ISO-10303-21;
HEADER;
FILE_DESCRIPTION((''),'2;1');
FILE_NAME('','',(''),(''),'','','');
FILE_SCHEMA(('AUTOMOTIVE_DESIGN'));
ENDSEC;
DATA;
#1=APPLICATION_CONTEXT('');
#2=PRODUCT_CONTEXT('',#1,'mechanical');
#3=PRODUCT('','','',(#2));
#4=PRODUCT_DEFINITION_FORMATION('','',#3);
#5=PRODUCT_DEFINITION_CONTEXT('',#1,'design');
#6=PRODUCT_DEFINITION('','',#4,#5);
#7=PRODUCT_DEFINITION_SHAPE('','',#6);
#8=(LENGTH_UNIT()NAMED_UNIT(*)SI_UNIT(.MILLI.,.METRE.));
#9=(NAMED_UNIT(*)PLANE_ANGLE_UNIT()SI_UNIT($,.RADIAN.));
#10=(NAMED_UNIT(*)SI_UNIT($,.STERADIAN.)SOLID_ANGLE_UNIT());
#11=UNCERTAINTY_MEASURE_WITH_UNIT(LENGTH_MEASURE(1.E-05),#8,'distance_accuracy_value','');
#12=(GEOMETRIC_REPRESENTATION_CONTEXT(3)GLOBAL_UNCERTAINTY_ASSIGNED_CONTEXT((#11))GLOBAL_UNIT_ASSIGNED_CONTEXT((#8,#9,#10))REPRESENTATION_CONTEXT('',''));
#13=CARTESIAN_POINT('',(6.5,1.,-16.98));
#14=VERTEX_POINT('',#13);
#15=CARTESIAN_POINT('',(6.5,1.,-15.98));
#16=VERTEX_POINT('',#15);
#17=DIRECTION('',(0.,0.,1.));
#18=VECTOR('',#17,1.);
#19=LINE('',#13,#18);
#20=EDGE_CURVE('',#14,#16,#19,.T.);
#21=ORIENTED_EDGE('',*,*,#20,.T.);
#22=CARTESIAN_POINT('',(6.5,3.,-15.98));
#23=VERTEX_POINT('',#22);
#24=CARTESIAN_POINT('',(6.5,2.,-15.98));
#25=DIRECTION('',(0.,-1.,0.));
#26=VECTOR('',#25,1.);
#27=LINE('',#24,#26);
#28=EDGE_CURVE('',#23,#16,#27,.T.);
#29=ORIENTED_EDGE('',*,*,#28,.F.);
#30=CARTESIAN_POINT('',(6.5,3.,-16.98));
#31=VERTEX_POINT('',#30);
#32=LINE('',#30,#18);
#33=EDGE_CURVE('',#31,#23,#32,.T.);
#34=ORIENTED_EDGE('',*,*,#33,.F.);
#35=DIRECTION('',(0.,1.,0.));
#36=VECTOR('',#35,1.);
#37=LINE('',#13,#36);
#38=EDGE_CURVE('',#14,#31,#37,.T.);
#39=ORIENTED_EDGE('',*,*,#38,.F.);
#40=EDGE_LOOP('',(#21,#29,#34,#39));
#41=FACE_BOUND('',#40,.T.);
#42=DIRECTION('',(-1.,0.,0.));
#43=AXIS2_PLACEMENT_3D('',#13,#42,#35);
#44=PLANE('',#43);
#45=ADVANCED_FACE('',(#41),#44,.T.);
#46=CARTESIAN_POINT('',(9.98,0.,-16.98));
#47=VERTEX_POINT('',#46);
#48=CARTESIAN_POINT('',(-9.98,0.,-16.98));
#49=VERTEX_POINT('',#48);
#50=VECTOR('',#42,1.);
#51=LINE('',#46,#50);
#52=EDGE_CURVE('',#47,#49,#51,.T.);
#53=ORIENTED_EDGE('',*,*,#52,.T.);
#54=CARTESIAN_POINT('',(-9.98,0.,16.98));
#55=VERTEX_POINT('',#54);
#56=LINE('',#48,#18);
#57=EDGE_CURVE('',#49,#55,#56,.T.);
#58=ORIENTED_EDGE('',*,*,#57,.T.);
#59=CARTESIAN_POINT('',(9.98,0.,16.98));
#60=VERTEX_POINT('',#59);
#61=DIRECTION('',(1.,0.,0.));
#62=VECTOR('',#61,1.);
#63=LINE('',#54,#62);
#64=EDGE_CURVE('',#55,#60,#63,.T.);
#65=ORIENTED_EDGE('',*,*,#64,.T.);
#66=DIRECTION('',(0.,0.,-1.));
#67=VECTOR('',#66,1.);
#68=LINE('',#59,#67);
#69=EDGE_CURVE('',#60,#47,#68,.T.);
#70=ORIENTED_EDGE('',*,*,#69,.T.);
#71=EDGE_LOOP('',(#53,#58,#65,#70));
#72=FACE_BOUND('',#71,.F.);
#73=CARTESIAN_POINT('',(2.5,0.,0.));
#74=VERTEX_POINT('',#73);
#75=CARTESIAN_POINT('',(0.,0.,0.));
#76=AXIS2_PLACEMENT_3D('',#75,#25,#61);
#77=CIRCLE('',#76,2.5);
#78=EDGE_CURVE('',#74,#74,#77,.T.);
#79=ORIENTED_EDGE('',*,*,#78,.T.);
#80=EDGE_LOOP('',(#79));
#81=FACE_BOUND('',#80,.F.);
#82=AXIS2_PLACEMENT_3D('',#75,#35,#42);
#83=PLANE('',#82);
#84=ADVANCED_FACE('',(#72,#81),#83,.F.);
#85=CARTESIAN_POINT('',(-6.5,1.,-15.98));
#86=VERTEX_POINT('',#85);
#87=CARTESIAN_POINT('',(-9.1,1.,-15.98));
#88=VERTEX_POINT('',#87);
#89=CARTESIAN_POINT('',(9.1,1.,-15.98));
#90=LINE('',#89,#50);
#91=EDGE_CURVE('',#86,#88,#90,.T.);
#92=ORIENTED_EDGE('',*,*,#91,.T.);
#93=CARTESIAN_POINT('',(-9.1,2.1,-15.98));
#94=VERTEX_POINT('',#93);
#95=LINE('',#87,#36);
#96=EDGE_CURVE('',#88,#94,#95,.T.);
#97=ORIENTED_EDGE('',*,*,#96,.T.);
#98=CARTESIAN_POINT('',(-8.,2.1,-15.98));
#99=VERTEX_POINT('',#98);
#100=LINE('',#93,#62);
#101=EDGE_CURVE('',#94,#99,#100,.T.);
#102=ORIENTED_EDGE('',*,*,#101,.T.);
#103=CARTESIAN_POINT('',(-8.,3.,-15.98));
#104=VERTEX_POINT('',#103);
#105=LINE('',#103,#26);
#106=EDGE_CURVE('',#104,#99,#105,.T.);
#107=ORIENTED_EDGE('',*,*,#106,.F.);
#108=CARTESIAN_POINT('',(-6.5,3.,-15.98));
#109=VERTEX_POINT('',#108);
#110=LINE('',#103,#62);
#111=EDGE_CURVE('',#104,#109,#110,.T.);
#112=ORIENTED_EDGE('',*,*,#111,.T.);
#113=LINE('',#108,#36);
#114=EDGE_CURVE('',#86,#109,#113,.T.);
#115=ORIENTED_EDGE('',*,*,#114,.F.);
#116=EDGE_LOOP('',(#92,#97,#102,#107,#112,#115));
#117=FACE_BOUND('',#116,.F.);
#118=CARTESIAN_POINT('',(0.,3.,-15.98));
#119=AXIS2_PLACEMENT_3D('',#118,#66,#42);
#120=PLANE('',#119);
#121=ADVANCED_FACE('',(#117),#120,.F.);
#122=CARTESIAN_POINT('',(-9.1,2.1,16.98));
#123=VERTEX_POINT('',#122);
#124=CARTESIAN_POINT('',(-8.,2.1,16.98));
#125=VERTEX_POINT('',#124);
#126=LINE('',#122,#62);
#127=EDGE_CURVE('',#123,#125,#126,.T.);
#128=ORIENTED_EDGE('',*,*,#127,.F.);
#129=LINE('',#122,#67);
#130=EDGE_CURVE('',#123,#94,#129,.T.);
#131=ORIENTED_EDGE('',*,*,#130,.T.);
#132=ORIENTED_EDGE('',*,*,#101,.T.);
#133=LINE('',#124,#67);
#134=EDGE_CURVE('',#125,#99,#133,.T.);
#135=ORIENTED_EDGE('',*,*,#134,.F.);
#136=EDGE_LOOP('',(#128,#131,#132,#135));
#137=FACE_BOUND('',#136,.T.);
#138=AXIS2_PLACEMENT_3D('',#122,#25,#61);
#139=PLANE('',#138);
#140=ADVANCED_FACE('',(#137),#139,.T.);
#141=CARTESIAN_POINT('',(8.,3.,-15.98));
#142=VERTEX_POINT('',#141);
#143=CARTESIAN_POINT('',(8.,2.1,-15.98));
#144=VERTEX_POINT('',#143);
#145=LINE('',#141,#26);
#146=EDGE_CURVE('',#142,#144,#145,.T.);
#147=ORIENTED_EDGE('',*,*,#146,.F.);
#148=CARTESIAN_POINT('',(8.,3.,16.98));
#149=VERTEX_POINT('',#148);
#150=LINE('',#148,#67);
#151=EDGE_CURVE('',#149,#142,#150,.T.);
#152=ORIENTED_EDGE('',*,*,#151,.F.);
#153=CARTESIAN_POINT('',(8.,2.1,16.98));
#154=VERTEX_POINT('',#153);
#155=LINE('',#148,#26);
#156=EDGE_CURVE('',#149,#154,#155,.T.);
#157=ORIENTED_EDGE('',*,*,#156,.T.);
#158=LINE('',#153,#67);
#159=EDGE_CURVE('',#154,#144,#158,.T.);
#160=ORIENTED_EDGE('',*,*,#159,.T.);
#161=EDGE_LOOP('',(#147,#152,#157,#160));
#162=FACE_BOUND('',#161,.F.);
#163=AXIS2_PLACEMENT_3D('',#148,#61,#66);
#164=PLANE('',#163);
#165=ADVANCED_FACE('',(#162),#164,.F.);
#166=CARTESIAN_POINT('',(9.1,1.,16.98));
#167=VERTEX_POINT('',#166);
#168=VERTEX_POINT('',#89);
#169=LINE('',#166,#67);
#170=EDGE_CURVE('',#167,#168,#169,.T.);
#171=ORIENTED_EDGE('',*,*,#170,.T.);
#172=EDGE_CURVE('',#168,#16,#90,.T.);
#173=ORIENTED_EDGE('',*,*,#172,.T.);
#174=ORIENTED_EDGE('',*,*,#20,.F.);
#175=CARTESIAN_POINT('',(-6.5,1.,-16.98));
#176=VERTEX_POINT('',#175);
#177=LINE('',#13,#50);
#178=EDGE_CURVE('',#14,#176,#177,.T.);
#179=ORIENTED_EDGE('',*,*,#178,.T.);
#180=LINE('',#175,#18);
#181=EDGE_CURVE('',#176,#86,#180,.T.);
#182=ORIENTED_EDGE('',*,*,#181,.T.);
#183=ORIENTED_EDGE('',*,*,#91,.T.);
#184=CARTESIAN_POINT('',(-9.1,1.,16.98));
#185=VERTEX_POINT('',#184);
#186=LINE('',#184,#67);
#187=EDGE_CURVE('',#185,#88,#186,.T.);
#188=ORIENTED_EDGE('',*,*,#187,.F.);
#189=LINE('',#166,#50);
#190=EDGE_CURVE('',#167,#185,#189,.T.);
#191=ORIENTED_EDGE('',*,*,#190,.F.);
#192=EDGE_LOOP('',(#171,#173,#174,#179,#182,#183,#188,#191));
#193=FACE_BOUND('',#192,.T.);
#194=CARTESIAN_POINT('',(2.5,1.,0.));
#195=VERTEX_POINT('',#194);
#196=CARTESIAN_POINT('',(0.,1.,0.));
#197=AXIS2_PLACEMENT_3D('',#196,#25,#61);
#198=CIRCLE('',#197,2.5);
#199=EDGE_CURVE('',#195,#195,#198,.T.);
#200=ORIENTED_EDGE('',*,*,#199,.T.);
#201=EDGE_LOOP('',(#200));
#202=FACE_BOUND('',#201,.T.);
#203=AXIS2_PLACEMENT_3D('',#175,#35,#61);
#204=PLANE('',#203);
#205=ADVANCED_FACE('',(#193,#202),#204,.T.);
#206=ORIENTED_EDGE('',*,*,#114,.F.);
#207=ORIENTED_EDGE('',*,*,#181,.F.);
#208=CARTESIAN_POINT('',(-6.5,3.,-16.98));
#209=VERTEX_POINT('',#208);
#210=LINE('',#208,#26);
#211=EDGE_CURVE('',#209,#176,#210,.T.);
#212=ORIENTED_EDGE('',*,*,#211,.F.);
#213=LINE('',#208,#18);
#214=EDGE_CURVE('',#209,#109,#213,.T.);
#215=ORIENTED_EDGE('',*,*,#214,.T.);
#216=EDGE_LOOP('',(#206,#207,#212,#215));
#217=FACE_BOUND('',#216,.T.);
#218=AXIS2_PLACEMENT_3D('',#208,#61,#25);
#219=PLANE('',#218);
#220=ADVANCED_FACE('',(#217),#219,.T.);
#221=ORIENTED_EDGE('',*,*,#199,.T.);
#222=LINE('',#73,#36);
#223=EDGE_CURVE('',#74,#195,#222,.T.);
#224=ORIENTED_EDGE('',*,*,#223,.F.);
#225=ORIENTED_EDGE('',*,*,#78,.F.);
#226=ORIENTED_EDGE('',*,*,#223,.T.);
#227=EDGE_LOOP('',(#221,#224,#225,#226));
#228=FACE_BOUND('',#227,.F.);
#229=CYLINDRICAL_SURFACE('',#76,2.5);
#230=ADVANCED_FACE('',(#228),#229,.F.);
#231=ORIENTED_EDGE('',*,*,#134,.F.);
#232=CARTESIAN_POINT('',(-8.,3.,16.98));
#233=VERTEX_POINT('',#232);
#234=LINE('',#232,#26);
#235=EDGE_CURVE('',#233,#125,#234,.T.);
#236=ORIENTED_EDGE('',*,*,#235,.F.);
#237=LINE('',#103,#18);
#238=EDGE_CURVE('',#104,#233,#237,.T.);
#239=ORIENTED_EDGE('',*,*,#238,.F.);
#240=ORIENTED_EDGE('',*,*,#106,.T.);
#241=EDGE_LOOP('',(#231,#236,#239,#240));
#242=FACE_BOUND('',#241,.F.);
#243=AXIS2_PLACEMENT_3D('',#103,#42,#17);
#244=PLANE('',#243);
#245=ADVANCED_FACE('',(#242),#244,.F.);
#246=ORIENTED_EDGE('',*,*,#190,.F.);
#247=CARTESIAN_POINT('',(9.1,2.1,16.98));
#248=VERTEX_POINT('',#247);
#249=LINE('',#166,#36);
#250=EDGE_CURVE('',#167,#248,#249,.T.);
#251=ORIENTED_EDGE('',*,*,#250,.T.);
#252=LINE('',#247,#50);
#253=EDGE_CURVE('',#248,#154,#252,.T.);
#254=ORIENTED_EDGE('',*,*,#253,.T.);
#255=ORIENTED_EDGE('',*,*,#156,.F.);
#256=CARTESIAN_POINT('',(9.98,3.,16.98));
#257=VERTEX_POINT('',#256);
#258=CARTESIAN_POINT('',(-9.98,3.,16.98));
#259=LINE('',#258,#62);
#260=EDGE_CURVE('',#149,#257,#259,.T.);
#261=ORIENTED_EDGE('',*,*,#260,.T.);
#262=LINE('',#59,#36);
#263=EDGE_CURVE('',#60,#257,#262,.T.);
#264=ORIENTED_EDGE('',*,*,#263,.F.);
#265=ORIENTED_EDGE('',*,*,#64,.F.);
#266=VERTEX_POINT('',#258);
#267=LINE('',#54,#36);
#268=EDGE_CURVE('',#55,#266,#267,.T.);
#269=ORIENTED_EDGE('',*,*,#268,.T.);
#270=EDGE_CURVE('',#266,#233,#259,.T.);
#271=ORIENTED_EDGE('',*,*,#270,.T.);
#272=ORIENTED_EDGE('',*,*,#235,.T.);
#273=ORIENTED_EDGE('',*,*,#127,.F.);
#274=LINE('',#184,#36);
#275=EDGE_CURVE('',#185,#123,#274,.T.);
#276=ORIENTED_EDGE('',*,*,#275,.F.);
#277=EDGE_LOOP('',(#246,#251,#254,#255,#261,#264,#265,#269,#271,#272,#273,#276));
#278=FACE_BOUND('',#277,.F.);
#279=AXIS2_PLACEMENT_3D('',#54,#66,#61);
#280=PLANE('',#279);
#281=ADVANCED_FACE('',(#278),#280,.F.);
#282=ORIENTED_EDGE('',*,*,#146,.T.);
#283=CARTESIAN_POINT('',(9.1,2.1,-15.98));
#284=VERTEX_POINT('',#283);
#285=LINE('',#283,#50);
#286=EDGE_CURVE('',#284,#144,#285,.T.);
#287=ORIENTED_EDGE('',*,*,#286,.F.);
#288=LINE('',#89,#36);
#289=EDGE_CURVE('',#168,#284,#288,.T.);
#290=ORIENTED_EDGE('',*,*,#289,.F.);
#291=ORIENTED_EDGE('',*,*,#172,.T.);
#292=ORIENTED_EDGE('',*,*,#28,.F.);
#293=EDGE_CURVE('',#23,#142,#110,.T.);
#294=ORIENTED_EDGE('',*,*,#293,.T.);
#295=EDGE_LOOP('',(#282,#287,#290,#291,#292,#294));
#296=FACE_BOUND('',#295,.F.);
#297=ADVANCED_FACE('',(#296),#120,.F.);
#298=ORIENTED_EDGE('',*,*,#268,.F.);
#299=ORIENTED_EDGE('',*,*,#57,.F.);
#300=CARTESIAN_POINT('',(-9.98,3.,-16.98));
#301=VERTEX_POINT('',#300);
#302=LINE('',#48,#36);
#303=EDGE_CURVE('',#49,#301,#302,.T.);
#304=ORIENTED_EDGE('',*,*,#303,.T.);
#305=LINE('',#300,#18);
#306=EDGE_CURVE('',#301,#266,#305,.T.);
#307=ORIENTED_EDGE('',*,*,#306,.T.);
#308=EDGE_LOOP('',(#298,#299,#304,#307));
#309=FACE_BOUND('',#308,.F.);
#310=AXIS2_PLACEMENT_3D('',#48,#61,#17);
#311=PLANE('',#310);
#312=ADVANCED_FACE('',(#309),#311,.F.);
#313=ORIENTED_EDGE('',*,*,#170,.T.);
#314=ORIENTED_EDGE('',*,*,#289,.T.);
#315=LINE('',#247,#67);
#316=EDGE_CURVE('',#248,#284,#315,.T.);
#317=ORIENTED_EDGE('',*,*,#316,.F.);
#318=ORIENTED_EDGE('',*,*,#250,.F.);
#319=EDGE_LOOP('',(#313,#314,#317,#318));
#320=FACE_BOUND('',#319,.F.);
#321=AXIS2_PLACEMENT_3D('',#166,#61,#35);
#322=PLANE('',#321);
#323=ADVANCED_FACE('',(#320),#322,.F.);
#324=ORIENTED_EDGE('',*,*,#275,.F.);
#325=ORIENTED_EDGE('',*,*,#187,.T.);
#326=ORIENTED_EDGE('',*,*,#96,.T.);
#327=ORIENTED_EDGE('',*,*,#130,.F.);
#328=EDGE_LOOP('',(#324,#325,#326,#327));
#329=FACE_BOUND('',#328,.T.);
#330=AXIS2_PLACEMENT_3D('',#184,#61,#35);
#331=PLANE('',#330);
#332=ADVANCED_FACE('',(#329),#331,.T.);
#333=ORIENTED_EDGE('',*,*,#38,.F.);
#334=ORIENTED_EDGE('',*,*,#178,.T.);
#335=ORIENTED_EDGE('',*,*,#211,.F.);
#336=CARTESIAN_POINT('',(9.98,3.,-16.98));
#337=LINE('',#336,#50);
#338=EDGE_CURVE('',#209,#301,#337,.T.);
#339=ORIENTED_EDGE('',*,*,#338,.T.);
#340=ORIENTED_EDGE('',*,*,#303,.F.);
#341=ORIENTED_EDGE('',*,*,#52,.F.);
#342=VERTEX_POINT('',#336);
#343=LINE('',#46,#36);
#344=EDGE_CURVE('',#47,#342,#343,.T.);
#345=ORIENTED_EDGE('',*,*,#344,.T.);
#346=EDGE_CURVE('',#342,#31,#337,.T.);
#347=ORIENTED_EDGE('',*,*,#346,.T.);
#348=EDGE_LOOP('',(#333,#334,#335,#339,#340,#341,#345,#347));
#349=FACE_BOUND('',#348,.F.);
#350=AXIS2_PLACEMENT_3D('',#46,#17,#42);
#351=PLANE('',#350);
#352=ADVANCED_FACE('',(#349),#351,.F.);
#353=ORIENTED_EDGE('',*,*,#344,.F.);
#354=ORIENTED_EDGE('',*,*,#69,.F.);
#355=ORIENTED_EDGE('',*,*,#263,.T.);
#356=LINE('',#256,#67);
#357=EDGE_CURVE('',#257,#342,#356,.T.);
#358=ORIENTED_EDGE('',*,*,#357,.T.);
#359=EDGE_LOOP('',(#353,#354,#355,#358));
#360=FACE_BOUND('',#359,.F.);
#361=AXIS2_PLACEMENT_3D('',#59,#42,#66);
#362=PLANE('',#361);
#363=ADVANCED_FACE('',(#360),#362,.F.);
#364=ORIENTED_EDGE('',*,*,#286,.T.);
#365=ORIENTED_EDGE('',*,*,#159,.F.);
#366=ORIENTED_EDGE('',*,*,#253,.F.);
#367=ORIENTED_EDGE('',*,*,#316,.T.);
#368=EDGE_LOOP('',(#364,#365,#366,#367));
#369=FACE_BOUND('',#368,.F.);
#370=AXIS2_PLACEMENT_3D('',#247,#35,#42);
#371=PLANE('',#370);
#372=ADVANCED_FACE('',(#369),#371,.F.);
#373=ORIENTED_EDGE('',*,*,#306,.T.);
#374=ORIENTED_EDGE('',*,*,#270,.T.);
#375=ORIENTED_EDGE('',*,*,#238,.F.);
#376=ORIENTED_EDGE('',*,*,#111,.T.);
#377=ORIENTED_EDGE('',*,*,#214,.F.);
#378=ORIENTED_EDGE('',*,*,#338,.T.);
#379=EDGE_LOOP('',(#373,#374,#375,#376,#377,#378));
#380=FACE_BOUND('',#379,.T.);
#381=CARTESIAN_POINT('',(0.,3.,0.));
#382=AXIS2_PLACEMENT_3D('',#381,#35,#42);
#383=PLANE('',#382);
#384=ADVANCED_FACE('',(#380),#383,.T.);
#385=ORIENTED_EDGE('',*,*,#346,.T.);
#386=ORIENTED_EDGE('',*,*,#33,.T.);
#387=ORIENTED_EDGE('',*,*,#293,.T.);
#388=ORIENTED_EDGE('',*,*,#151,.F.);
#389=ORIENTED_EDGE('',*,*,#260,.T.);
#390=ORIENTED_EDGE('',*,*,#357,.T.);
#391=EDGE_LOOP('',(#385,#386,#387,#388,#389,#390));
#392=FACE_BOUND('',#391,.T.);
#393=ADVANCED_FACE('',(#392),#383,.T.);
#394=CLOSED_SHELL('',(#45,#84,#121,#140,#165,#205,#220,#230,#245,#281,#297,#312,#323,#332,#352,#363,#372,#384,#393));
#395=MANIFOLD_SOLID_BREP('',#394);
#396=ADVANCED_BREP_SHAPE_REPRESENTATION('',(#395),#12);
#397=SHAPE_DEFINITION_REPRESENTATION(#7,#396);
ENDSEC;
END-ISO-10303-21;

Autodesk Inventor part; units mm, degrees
ref_plane "YZ Plane" through (0, 0, 0) normal (1, 0, 0) x (0, 1, 0)
ref_plane "XZ Plane" through (0, 0, 0) normal (0, 1, 0) x (-1, 0, 0)
ref_plane "XY Plane" through (0, 0, 0) normal (0, 0, 1) x (1, 0, 0)
sketch "Sketch1" plane through (0, 0, 0) normal (0, 1, 0) x (-1, 0, 0)
  line L0 (9.98, 16.98) -> (-9.98, 16.98)
  line L1 (-9.98, 16.98) -> (-9.98, -16.98)
  line L2 (-9.98, -16.98) -> (9.98, -16.98)
  line L3 (9.98, -16.98) -> (9.98, 16.98)
  line L4 (9.98, 16.98) -> (-9.98, -16.98) construction
  line L5 (-9.98, 16.98) -> (9.98, -16.98) construction
  point P0 (0, 0)
  dimension "d0" = 33.96
  dimension "d1" = 19.96
extrude "arm-wall" add sketch "Sketch1" along normal blind 3
sketch "Sketch2" plane through (0, 3, 0) normal (0, 1, 0) x (1, 0, 0)
  line L0 (-8, -16.98) -> (8, -16.98)
  line L1 (8, -16.98) -> (8, 15.98)
  line L2 (8, 15.98) -> (-8, 15.98)
  line L3 (-8, 15.98) -> (-8, -16.98)
  line L4 (-8, -16.98) -> (8, 15.98) construction
  line L5 (8, -16.98) -> (-8, 15.98) construction
  line L6 (0, 23.772) -> (0, -23.772) projected
  line L7 (9.98, 16.98) -> (-9.98, 16.98) projected
  line L8 (-9.98, -16.98) -> (9.98, -16.98) projected
  point P0 (0, 0)
  point P1 (0, -0.5)
  point P2 (0, -0.5)
  dimension "d4" = 16
  dimension "d5" = 1
extrude "slot" cut sketch "Sketch2" against normal blind 2
sketch "Sketch3" plane through (0, 0, 0) normal (0, -1, 0) x (1, 0, 0)
  circle A0 centre (0, 0) radius 2.5
  dimension "d12" = 5
extrude "Extrusion3" cut sketch "Sketch3" against normal blind 2
sketch "Sketch4" plane through (-9.98, 0, 16.98) normal (0, 0, 1) x (1, 0, 0)
  line L0 (1.98, 1) -> (0.88, 1)
  line L1 (0.88, 1) -> (0.88, 2.1)
  line L2 (0.88, 2.1) -> (1.98, 2.1)
  line L3 (1.98, 2.1) -> (1.98, 1)
  line L4 (17.98, 1) -> (19.08, 1)
  line L5 (19.08, 1) -> (19.08, 2.1)
  line L6 (19.08, 2.1) -> (17.98, 2.1)
  line L7 (17.98, 2.1) -> (17.98, 1)
  point P0 (9.98, 0)
  dimension "d15" = 1.1
  dimension "d16" = 1.1
  dimension "d17" = 1.1
  dimension "d18" = 1.1
extrude "Extrusion4" cut sketch "Sketch4" against normal up to surface (32.96 mm away)
sketch "Sketch5" plane through (9.98, 0, -16.98) normal (0, 0, -1) x (-1, 0, 0)
  line L0 (9.98, 5.9286) -> (9.98, -4.0714)
  line L1 (0, 0) -> (19.96, 0) projected
  line L2 (3.48, 3) -> (16.48, 3)
  line L3 (16.48, 3) -> (16.48, 1)
  line L4 (16.48, 1) -> (3.48, 1)
  line L5 (3.48, 1) -> (3.48, 3)
  line L6 (0, 3) -> (19.96, 3) projected
  point P0 (9.98, 0)
  point P1 (9.98, 0)
  dimension "d21" = 10
  dimension "d22" = 1
  dimension "d23" = 13
extrude "Extrusion5" cut sketch "Sketch5" against normal up to next
equation "\"d2\" = armthick"
equation "\"d4\" = adapterh"
equation "\"d5\" = -0.5 * adapterw + 0.5 * armw"
equation "\"d6\" = armslotd"
equation "\"d15\" = d16"
equation "\"d17\" = d15"
equation "\"d18\" = d16"
equation "\"printer3dtolerance\" = 0.1"
equation "\"wallw\" = 42"
equation "\"wallh\" = 44"
equation "\"cornerrad\" = 2"
equation "\"baseextra\" = 2"
equation "\"wall1_thick\" = 8"
equation "\"wall2_thick\" = 6.4"
equation "\"wall3_thick\" = 4"
equation "\"wall1slot\" = 8.1"
equation "\"wall2slot\" = 6.5"
equation "\"wall3slot\" = 4.1"
equation "\"gap2\" = 28"
equation "\"baseh\" = 79"
equation "\"basew\" = 44"
equation "\"base_thick\" = 6"
equation "\"base_slots_depth\" = 4"
equation "\"servobigcircledia\" = 11.6"
equation "\"servosmallcircledia\" = 5.9"
equation "\"servo9gw\" = 22.8"
equation "\"servomounth\" = 4"
equation "\"servomountsquare\" = 4"
equation "\"servopolygonr\" = 6.1"
equation "\"servopolygonl\" = 5.9"
equation "\"distancefrombottom\" = 34"
equation "\"distancefromleft\" = 22"
equation "\"wall3slotd\" = 2"
equation "\"wall3slotw\" = 36"
equation "\"adapterh\" = 16"
equation "\"adapterw\" = 32"
equation "\"armw\" = 34"
equation "\"armslotd\" = 2"
equation "\"armthick\" = 3"
equation "\"fanhb\" = 11"
equation "\"fanhs\" = 9.6"
equation "\"adapterwallslotd\" = 2"
equation "\"adapterwallthick\" = 6"
equation "\"armhornthick\" = 3"
equation "\"hornscrewholed\" = 2"
equation "\"hornscrewheadd\" = 3"
equation "\"hornthick\" = 1.5"
properties part number "arm-slot"
